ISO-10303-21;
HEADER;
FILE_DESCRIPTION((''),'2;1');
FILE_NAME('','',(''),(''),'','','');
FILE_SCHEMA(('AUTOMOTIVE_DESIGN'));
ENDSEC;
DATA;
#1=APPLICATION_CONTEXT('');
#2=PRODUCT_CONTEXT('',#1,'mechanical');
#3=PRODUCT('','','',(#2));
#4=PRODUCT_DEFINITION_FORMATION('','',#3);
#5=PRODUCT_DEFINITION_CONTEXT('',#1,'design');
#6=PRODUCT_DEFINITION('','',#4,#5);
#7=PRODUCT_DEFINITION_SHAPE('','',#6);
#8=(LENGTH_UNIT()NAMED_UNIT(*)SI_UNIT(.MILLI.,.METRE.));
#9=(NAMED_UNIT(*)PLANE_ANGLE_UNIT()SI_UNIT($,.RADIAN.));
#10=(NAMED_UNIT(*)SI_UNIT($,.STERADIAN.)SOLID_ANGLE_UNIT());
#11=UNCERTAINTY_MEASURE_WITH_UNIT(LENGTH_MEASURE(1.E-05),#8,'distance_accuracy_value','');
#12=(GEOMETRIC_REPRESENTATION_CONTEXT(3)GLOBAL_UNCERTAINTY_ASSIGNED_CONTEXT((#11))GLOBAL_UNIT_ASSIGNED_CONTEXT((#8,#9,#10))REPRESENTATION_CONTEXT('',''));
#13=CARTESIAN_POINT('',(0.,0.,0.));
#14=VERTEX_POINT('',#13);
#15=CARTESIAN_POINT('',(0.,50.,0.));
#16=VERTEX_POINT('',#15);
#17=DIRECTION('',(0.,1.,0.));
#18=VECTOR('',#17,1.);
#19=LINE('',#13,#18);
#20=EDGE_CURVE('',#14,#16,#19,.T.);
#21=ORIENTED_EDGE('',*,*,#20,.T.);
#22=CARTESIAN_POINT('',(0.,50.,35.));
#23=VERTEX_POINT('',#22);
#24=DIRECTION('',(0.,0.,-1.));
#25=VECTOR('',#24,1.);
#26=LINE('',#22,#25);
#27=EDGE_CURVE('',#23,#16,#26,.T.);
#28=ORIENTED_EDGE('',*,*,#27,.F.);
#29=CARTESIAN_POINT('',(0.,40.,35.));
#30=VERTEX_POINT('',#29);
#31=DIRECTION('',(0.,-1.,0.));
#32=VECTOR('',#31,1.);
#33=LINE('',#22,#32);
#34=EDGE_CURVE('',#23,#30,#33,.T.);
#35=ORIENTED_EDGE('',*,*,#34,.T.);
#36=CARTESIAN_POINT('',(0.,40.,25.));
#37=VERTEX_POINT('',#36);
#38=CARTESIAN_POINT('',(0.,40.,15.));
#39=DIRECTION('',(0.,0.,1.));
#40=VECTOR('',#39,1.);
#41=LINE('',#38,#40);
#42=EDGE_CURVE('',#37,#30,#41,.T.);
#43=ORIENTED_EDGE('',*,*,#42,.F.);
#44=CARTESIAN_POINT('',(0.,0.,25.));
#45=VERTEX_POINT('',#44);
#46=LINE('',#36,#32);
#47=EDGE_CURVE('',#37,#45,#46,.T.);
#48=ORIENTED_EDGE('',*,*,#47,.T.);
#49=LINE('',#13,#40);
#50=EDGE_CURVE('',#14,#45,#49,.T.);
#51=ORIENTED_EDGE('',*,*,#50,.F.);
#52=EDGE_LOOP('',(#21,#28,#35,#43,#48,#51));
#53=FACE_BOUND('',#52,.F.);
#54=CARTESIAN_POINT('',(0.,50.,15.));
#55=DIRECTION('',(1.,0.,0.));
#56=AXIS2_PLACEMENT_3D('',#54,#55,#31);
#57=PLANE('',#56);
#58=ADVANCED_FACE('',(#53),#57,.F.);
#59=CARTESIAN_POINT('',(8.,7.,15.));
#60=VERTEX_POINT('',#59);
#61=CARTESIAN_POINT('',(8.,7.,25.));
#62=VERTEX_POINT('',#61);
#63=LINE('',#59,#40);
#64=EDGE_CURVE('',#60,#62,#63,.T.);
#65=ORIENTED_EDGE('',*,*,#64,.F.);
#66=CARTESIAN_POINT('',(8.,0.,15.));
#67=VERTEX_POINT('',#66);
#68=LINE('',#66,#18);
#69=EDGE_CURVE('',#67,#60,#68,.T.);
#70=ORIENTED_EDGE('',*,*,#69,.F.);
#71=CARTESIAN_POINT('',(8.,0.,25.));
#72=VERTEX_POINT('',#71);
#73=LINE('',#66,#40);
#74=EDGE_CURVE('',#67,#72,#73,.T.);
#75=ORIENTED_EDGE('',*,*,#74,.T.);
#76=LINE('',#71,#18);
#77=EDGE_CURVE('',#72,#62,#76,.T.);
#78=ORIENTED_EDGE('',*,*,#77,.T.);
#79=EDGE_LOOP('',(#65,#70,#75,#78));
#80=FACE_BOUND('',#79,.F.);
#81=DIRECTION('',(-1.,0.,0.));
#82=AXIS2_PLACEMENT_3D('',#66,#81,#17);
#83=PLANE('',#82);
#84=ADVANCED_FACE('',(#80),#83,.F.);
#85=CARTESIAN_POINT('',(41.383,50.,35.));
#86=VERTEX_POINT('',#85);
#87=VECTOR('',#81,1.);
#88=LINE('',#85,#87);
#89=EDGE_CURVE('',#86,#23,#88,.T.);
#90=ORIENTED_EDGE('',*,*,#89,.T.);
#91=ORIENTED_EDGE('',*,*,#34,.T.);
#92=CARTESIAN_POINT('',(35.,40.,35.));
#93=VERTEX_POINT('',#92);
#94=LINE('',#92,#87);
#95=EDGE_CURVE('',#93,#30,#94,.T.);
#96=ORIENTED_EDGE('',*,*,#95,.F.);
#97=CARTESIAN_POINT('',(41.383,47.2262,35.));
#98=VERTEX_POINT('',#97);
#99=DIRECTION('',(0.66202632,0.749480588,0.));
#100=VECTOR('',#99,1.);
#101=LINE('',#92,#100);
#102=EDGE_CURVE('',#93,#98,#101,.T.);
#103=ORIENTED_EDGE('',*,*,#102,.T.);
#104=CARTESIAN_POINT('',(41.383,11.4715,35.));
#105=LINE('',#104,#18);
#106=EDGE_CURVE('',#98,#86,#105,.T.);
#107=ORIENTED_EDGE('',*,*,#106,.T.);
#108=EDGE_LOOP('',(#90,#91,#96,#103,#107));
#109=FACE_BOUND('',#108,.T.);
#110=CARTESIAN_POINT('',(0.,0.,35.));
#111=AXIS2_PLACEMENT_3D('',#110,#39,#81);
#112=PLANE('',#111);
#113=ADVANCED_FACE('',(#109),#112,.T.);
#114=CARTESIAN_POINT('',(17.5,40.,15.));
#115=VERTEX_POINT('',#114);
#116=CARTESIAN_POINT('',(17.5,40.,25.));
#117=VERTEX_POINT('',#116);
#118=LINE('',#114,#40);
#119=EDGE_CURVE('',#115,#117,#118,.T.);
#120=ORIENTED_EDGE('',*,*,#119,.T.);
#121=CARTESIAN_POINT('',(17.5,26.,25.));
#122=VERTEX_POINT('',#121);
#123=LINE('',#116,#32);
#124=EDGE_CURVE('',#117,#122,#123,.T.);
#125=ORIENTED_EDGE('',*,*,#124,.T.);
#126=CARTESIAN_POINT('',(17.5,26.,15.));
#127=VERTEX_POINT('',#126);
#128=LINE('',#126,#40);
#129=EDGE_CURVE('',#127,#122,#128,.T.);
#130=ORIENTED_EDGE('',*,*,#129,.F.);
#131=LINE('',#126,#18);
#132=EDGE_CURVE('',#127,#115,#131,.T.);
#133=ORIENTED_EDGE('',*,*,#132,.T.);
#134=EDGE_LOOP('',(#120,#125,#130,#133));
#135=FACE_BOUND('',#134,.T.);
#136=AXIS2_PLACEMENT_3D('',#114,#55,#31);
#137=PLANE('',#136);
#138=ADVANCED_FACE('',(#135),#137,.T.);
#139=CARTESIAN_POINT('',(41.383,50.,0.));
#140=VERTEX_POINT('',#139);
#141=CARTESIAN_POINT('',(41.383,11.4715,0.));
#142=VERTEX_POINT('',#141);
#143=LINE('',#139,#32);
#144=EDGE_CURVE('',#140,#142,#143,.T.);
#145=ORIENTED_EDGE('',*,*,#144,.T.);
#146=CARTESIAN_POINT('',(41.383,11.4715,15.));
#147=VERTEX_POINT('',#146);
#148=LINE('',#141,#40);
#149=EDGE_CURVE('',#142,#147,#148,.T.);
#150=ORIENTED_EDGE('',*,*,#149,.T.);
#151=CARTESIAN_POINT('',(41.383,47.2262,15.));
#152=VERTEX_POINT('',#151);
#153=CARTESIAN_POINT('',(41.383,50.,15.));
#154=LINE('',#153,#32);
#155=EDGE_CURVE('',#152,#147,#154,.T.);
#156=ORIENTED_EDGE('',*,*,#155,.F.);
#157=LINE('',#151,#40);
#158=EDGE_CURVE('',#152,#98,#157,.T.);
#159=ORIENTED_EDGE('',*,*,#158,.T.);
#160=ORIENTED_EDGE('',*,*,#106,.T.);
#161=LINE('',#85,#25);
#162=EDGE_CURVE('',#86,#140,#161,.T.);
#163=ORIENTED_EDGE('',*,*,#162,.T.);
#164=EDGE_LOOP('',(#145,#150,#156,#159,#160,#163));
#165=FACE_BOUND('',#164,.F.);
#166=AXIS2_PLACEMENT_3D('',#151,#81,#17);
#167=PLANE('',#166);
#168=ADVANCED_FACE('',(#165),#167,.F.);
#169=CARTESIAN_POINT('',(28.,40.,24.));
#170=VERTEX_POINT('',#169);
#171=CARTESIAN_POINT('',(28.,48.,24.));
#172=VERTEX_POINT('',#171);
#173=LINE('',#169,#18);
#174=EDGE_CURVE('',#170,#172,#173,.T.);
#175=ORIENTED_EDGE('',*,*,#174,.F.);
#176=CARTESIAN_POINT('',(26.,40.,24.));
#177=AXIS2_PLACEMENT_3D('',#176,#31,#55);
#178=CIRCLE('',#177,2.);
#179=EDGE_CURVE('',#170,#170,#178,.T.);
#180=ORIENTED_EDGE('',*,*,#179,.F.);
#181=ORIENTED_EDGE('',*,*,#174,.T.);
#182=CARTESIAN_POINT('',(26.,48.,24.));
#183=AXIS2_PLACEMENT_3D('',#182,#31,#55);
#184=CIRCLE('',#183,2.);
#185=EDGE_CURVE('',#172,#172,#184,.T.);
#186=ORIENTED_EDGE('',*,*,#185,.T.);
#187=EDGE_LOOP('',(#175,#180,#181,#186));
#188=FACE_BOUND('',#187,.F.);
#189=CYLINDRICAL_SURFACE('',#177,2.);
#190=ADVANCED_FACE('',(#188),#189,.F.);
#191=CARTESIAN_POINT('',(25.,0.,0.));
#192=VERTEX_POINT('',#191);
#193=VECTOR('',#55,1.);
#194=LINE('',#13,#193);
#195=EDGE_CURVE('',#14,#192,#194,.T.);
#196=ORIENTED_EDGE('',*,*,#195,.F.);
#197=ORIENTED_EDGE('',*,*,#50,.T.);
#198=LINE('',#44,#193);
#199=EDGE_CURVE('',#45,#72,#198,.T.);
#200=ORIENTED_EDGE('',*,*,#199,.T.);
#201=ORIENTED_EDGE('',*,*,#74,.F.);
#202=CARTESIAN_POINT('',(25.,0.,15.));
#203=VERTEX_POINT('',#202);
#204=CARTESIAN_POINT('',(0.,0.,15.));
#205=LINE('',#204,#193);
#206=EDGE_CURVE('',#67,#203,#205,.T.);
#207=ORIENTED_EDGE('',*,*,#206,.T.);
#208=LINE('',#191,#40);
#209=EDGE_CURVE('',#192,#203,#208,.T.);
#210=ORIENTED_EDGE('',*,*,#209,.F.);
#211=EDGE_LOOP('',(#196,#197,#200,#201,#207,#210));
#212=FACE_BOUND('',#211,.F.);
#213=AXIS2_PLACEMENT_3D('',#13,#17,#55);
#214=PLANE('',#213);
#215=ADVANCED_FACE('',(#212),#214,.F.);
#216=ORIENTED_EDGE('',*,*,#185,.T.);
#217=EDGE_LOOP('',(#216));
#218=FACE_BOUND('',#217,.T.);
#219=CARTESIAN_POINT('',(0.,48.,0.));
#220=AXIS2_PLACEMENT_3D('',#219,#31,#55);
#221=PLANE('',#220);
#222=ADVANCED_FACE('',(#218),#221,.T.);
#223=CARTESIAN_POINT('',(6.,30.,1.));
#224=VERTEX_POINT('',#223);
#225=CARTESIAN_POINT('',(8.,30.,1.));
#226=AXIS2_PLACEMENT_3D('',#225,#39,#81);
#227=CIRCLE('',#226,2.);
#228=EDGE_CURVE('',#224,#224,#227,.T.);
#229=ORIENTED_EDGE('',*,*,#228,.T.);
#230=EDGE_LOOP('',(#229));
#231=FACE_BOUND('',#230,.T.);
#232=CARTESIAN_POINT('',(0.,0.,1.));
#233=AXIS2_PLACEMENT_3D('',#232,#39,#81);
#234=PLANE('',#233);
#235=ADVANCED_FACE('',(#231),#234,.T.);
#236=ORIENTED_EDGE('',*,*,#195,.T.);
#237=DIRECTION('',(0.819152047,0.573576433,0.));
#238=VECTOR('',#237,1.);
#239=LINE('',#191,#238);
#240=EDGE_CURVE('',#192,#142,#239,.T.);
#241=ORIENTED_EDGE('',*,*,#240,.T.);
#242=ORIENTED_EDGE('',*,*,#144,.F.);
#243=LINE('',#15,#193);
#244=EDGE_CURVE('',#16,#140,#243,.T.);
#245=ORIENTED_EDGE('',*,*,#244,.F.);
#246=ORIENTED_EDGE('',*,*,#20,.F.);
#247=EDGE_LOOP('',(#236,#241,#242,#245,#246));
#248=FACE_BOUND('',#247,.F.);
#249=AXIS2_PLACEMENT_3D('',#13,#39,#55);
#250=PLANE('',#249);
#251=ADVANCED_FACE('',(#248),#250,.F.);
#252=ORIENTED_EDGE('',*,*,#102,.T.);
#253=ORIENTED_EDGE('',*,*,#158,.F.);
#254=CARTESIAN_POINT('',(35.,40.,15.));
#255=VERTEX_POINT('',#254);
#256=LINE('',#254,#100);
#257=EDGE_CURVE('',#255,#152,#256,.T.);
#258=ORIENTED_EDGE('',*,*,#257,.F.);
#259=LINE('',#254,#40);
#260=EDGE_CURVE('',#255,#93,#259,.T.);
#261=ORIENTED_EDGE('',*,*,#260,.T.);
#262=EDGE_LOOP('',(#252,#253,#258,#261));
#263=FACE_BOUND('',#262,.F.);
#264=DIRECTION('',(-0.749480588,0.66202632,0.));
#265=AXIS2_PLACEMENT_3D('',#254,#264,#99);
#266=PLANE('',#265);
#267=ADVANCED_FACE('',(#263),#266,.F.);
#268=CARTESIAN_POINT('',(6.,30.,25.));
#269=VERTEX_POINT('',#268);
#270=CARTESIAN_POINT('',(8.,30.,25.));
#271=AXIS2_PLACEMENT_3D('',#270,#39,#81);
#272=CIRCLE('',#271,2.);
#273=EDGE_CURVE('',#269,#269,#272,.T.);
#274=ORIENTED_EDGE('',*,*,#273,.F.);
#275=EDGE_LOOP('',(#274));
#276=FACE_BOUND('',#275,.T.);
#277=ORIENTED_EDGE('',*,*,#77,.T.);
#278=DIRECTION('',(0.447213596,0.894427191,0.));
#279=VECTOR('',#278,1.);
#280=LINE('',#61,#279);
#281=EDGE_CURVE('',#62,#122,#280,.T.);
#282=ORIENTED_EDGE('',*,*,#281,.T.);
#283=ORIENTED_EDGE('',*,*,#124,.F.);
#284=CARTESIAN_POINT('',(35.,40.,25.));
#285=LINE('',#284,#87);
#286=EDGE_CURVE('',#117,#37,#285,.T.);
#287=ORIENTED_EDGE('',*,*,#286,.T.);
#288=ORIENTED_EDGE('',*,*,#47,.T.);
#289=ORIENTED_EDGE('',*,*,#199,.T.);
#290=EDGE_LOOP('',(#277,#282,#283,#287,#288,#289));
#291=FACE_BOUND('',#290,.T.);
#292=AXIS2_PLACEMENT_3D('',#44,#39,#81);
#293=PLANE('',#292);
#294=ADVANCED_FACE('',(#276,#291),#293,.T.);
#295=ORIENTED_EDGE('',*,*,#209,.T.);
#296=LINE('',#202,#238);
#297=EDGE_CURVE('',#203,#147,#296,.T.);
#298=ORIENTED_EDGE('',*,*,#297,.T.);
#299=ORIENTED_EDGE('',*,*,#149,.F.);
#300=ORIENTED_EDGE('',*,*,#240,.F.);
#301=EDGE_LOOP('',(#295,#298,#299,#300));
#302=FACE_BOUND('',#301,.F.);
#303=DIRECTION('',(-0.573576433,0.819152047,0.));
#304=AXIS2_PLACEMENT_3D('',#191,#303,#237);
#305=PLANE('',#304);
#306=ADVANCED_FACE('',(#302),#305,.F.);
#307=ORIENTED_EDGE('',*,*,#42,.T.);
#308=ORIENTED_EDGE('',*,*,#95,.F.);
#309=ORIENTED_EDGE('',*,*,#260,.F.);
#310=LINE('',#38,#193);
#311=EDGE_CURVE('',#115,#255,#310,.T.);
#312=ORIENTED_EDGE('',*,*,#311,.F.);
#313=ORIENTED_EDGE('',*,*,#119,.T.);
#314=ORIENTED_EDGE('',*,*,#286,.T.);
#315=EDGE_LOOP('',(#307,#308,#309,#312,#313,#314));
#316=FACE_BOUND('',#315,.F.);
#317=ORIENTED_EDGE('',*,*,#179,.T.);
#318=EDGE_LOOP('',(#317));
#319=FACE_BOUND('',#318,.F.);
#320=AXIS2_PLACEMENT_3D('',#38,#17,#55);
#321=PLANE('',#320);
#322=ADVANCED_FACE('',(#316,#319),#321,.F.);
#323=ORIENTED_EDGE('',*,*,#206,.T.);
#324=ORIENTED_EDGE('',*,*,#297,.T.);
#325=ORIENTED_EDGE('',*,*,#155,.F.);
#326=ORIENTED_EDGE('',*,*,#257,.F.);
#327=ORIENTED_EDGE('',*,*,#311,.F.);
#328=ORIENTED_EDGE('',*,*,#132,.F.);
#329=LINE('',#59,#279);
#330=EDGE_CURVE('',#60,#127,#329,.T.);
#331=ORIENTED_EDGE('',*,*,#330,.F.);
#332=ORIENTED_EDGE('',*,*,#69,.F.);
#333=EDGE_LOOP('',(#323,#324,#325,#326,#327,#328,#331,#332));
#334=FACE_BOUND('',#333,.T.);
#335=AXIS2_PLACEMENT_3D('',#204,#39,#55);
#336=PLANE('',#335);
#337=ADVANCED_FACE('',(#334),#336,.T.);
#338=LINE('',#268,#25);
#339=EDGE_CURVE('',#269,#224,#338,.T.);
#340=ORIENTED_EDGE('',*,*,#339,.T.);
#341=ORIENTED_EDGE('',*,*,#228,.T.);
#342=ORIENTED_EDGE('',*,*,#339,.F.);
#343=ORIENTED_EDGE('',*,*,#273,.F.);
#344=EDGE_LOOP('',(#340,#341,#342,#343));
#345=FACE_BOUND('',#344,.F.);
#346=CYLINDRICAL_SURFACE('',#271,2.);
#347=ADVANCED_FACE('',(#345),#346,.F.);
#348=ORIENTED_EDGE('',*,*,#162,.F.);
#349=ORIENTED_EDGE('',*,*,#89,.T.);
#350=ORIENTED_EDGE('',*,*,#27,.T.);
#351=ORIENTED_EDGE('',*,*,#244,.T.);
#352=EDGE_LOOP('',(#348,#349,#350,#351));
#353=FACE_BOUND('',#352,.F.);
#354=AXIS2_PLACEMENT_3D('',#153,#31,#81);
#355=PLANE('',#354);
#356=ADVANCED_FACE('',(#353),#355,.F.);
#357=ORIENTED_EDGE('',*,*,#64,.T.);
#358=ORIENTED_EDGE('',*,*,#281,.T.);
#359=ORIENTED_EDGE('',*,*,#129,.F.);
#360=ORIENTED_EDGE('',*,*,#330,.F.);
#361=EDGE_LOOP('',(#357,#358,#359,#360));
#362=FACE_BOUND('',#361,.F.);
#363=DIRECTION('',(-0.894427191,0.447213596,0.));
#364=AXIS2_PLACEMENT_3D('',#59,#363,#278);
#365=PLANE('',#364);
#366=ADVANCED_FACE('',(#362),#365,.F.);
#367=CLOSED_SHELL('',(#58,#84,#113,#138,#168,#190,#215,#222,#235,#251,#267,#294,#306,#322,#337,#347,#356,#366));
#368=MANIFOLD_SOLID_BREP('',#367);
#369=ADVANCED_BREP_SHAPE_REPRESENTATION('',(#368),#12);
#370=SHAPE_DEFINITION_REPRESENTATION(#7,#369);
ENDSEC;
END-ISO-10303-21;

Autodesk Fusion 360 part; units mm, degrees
sketch "Sketch1" plane through (0, 0, 0) normal (0, 0, 1) x (1, 0, 0)
  line L0 (0, 0) -> (0, 50)
  line L1 (0, 0) -> (25, 0)
  line L2 (25, 0) -> (41.383, 11.4715)
  line L3 (25, 0) -> (45, 0) construction
  line L4 (0, 50) -> (41.383, 50)
  line L5 (41.383, 50) -> (41.383, 11.4715)
  dimension "d1" = 50
  dimension "d2" = 25
  dimension "d3" = 35
  dimension "d4" = 20
extrude "Extrude1" add sketch "Sketch1" along normal blind 40
extrude "Extrude2" cut 1 faces at (27.5887, 37.1572, 40) along direction (0, 0, -1) blind 25
sketch "Sketch2" plane through (0, 0, 15) normal (0, 0, 1) x (-1, 0, 0)
  line L0 (0, 0) -> (-25, 0)
  line L1 (-25, 0) -> (-41.383, -11.4715)
  line L2 (-41.383, -11.4715) -> (-41.383, -50)
  line L3 (-41.383, -50) -> (0, -50)
  line L4 (0, -50) -> (0, 0)
  line L5 (0, -40) -> (-30, -40)
  line L6 (0, 0) -> (-8, 0)
  line L7 (-8, -15) -> (-8, 0)
  line L8 (-15, -40) -> (-15, -30)
  line L9 (-8, -15) -> (-15, -30)
  line L10 (-30, -40) -> (-35, -40)
  line L11 (-35, -40) -> (-41.383, -47.2262)
extrude "Extrude3" add sketch "Sketch2" along normal blind 20 contours L2 L3 L4 L5 L10 L11
sketch "Sketch3" plane through (0, 0, 15) normal (0, 0, 1) x (-1, 0, 0)
  line L0 (-41.383, -47.2262) -> (-35, -40)
  line L1 (-35, -40) -> (0, -40)
  line L2 (0, -40) -> (0, 0)
  line L3 (0, 0) -> (-25, 0)
  line L4 (-25, 0) -> (-41.383, -11.4715)
  line L5 (-41.383, -11.4715) -> (-41.383, -47.2262)
  line L6 (-17.5, -40) -> (-17.5, -30)
  line L7 (-8, 0) -> (-8, -7)
  line L8 (-17.5, -30) -> (-17.5, -26)
  line L9 (-8, -7) -> (-17.5, -26)
extrude "Extrude4" add sketch "Sketch3" along normal blind 10 contours L1 L2 L3 L6 L7 L8 L9
sketch "Sketch4" plane through (0, 0, 25) normal (0, 0, 1) x (-1, 0, 0)
  line L0 (-17.5, -40) -> (0, -40)
  line L1 (0, -40) -> (0, 0)
  line L2 (0, 0) -> (-8, 0)
  line L3 (-8, 0) -> (-8, -7)
  line L4 (-8, -7) -> (-17.5, -26)
  line L5 (-17.5, -26) -> (-17.5, -40)
  circle A0 centre (-8, -30) radius 2
extrude "Extrude5" cut sketch "Sketch4" against normal blind 24 contours A0
sketch "Sketch5" plane through (0, 40, 0) normal (0, -1, 0) x (1, 0, 0)
  line L0 (17.5, 25) -> (17.5, 15)
  line L1 (17.5, 15) -> (35, 15)
  line L2 (35, 15) -> (35, 35)
  line L3 (35, 35) -> (0, 35)
  line L4 (0, 35) -> (0, 25)
  line L5 (0, 25) -> (17.5, 25)
sketch "Sketch6" plane through (0, 0, 25) normal (0, 0, 1) x (-1, 0, 0)
  circle A0 centre (-8, -30) radius 2
  line L0 (-17.5, -40) -> (0, -40)
  line L1 (0, -40) -> (0, 0)
  line L2 (0, 0) -> (-8, 0)
  line L3 (-8, 0) -> (-8, -7)
  line L4 (-8, -7) -> (-17.5, -26)
  line L5 (-17.5, -26) -> (-17.5, -40)
sketch "Sketch7" plane through (0, 40, 0) normal (0, -1, 0) x (1, 0, 0)
  circle A0 centre (26, 24) radius 2
  dimension "d17" = 4
extrude "Extrude6" cut sketch "Sketch7" against normal blind 8
